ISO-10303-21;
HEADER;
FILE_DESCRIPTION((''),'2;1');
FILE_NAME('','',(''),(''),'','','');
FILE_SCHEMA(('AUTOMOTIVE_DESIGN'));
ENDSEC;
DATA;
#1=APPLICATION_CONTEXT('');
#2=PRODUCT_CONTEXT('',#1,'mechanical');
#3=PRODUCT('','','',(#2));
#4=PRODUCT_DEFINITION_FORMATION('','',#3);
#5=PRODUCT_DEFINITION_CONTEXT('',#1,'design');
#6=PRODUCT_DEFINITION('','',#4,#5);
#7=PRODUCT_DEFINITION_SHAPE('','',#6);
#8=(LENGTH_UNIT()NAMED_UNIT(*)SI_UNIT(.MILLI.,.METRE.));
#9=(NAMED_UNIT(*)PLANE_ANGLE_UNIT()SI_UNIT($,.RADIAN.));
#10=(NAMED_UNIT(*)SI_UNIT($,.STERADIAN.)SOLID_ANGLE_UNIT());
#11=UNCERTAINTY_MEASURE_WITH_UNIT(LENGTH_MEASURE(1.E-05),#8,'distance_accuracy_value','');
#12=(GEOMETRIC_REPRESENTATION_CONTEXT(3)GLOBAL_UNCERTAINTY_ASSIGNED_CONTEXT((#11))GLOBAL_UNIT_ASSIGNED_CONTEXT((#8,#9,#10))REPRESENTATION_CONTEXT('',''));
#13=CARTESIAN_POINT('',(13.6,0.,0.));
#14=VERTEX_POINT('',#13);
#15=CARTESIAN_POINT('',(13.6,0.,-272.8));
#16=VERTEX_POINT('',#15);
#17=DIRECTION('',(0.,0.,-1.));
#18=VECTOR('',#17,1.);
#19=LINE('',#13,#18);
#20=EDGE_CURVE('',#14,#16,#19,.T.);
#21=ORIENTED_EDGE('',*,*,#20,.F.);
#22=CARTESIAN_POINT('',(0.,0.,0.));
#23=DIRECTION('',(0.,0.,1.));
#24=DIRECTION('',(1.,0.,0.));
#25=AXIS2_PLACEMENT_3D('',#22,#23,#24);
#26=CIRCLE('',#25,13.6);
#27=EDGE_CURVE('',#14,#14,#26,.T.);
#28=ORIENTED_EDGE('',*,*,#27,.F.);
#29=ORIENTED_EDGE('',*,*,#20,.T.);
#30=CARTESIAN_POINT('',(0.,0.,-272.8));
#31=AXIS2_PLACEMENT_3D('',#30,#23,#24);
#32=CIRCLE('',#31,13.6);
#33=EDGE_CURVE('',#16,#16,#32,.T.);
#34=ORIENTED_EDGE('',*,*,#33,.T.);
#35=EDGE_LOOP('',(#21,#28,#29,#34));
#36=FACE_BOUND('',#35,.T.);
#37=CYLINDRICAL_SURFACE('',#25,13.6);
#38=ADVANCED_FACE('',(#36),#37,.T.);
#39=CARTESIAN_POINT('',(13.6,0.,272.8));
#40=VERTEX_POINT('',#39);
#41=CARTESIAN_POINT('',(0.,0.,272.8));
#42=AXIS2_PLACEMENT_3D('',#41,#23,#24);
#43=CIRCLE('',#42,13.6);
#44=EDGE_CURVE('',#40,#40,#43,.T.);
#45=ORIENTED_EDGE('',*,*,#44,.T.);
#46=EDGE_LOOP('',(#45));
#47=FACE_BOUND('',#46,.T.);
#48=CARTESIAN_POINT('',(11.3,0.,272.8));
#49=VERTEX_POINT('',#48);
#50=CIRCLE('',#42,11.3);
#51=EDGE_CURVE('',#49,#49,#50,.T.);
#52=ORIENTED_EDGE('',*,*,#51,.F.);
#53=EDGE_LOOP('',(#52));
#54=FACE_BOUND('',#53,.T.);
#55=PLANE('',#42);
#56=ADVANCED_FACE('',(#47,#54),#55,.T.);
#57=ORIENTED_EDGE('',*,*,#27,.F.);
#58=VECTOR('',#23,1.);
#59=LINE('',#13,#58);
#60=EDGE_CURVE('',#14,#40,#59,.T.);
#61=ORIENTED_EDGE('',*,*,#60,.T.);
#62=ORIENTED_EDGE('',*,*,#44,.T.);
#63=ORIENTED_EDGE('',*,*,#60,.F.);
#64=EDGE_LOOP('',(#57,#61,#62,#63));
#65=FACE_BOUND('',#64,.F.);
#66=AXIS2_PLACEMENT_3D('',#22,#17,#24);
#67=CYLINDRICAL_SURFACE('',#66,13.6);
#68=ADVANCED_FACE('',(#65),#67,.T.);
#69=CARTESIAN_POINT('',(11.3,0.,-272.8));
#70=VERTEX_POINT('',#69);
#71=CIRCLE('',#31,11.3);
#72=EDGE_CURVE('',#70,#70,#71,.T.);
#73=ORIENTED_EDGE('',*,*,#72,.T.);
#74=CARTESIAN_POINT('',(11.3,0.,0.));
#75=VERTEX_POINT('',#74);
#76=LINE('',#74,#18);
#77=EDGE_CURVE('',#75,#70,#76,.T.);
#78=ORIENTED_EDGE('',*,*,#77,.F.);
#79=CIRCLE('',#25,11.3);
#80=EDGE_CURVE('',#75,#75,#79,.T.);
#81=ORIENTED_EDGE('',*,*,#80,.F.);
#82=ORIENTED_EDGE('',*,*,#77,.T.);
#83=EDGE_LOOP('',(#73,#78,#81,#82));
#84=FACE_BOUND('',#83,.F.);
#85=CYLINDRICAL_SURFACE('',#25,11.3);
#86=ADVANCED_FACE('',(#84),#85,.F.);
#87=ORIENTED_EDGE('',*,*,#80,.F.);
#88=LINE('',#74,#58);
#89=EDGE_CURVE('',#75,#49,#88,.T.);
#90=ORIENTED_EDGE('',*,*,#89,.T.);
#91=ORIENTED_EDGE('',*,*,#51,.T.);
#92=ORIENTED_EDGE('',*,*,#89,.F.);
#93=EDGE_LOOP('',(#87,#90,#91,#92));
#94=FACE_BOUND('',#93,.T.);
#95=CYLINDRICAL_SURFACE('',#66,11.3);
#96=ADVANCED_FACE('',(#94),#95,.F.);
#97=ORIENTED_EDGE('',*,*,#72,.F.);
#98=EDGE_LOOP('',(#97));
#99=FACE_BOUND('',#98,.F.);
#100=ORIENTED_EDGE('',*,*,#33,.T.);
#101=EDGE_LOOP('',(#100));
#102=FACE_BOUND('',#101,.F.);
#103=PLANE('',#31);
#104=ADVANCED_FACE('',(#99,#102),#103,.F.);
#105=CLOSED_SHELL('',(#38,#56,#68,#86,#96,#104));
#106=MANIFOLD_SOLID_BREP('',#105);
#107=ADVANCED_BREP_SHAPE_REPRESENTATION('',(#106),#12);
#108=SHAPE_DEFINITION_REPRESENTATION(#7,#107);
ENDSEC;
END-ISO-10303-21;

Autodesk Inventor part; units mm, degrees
ref_plane "XY Plane" through (0, 0, 0) normal (0, 0, 1) x (1, 0, 0)
sketch "スケッチ1" plane through (0, 0, 0) normal (0, 0, 1) x (1, 0, 0)
  circle A0 centre (0, 0) radius 13.6
  circle A1 centre (0, 0) radius 11.3
  dimension "d0" = 27.2
  dimension "d1" = 2.3
extrude "押し出し1" add sketch "スケッチ1" along normal mid plane 545.6
ref_plane "作業平面4" through (0, 13.6, 0) normal (0, 1, 0) x (-1, 0, 0)
ref_plane "作業平面5" through (-13.6, 0, 0) normal (-1, 0, 0) x (0, -1, 0)
ref_plane "作業平面6" through (13.6, 0, 0) normal (1, 0, 0) x (0, 1, 0)
ref_plane "作業平面7" through (0, -13.6, 0) normal (0, -1, 0) x (1, 0, 0)
properties part number "Pipe3"
